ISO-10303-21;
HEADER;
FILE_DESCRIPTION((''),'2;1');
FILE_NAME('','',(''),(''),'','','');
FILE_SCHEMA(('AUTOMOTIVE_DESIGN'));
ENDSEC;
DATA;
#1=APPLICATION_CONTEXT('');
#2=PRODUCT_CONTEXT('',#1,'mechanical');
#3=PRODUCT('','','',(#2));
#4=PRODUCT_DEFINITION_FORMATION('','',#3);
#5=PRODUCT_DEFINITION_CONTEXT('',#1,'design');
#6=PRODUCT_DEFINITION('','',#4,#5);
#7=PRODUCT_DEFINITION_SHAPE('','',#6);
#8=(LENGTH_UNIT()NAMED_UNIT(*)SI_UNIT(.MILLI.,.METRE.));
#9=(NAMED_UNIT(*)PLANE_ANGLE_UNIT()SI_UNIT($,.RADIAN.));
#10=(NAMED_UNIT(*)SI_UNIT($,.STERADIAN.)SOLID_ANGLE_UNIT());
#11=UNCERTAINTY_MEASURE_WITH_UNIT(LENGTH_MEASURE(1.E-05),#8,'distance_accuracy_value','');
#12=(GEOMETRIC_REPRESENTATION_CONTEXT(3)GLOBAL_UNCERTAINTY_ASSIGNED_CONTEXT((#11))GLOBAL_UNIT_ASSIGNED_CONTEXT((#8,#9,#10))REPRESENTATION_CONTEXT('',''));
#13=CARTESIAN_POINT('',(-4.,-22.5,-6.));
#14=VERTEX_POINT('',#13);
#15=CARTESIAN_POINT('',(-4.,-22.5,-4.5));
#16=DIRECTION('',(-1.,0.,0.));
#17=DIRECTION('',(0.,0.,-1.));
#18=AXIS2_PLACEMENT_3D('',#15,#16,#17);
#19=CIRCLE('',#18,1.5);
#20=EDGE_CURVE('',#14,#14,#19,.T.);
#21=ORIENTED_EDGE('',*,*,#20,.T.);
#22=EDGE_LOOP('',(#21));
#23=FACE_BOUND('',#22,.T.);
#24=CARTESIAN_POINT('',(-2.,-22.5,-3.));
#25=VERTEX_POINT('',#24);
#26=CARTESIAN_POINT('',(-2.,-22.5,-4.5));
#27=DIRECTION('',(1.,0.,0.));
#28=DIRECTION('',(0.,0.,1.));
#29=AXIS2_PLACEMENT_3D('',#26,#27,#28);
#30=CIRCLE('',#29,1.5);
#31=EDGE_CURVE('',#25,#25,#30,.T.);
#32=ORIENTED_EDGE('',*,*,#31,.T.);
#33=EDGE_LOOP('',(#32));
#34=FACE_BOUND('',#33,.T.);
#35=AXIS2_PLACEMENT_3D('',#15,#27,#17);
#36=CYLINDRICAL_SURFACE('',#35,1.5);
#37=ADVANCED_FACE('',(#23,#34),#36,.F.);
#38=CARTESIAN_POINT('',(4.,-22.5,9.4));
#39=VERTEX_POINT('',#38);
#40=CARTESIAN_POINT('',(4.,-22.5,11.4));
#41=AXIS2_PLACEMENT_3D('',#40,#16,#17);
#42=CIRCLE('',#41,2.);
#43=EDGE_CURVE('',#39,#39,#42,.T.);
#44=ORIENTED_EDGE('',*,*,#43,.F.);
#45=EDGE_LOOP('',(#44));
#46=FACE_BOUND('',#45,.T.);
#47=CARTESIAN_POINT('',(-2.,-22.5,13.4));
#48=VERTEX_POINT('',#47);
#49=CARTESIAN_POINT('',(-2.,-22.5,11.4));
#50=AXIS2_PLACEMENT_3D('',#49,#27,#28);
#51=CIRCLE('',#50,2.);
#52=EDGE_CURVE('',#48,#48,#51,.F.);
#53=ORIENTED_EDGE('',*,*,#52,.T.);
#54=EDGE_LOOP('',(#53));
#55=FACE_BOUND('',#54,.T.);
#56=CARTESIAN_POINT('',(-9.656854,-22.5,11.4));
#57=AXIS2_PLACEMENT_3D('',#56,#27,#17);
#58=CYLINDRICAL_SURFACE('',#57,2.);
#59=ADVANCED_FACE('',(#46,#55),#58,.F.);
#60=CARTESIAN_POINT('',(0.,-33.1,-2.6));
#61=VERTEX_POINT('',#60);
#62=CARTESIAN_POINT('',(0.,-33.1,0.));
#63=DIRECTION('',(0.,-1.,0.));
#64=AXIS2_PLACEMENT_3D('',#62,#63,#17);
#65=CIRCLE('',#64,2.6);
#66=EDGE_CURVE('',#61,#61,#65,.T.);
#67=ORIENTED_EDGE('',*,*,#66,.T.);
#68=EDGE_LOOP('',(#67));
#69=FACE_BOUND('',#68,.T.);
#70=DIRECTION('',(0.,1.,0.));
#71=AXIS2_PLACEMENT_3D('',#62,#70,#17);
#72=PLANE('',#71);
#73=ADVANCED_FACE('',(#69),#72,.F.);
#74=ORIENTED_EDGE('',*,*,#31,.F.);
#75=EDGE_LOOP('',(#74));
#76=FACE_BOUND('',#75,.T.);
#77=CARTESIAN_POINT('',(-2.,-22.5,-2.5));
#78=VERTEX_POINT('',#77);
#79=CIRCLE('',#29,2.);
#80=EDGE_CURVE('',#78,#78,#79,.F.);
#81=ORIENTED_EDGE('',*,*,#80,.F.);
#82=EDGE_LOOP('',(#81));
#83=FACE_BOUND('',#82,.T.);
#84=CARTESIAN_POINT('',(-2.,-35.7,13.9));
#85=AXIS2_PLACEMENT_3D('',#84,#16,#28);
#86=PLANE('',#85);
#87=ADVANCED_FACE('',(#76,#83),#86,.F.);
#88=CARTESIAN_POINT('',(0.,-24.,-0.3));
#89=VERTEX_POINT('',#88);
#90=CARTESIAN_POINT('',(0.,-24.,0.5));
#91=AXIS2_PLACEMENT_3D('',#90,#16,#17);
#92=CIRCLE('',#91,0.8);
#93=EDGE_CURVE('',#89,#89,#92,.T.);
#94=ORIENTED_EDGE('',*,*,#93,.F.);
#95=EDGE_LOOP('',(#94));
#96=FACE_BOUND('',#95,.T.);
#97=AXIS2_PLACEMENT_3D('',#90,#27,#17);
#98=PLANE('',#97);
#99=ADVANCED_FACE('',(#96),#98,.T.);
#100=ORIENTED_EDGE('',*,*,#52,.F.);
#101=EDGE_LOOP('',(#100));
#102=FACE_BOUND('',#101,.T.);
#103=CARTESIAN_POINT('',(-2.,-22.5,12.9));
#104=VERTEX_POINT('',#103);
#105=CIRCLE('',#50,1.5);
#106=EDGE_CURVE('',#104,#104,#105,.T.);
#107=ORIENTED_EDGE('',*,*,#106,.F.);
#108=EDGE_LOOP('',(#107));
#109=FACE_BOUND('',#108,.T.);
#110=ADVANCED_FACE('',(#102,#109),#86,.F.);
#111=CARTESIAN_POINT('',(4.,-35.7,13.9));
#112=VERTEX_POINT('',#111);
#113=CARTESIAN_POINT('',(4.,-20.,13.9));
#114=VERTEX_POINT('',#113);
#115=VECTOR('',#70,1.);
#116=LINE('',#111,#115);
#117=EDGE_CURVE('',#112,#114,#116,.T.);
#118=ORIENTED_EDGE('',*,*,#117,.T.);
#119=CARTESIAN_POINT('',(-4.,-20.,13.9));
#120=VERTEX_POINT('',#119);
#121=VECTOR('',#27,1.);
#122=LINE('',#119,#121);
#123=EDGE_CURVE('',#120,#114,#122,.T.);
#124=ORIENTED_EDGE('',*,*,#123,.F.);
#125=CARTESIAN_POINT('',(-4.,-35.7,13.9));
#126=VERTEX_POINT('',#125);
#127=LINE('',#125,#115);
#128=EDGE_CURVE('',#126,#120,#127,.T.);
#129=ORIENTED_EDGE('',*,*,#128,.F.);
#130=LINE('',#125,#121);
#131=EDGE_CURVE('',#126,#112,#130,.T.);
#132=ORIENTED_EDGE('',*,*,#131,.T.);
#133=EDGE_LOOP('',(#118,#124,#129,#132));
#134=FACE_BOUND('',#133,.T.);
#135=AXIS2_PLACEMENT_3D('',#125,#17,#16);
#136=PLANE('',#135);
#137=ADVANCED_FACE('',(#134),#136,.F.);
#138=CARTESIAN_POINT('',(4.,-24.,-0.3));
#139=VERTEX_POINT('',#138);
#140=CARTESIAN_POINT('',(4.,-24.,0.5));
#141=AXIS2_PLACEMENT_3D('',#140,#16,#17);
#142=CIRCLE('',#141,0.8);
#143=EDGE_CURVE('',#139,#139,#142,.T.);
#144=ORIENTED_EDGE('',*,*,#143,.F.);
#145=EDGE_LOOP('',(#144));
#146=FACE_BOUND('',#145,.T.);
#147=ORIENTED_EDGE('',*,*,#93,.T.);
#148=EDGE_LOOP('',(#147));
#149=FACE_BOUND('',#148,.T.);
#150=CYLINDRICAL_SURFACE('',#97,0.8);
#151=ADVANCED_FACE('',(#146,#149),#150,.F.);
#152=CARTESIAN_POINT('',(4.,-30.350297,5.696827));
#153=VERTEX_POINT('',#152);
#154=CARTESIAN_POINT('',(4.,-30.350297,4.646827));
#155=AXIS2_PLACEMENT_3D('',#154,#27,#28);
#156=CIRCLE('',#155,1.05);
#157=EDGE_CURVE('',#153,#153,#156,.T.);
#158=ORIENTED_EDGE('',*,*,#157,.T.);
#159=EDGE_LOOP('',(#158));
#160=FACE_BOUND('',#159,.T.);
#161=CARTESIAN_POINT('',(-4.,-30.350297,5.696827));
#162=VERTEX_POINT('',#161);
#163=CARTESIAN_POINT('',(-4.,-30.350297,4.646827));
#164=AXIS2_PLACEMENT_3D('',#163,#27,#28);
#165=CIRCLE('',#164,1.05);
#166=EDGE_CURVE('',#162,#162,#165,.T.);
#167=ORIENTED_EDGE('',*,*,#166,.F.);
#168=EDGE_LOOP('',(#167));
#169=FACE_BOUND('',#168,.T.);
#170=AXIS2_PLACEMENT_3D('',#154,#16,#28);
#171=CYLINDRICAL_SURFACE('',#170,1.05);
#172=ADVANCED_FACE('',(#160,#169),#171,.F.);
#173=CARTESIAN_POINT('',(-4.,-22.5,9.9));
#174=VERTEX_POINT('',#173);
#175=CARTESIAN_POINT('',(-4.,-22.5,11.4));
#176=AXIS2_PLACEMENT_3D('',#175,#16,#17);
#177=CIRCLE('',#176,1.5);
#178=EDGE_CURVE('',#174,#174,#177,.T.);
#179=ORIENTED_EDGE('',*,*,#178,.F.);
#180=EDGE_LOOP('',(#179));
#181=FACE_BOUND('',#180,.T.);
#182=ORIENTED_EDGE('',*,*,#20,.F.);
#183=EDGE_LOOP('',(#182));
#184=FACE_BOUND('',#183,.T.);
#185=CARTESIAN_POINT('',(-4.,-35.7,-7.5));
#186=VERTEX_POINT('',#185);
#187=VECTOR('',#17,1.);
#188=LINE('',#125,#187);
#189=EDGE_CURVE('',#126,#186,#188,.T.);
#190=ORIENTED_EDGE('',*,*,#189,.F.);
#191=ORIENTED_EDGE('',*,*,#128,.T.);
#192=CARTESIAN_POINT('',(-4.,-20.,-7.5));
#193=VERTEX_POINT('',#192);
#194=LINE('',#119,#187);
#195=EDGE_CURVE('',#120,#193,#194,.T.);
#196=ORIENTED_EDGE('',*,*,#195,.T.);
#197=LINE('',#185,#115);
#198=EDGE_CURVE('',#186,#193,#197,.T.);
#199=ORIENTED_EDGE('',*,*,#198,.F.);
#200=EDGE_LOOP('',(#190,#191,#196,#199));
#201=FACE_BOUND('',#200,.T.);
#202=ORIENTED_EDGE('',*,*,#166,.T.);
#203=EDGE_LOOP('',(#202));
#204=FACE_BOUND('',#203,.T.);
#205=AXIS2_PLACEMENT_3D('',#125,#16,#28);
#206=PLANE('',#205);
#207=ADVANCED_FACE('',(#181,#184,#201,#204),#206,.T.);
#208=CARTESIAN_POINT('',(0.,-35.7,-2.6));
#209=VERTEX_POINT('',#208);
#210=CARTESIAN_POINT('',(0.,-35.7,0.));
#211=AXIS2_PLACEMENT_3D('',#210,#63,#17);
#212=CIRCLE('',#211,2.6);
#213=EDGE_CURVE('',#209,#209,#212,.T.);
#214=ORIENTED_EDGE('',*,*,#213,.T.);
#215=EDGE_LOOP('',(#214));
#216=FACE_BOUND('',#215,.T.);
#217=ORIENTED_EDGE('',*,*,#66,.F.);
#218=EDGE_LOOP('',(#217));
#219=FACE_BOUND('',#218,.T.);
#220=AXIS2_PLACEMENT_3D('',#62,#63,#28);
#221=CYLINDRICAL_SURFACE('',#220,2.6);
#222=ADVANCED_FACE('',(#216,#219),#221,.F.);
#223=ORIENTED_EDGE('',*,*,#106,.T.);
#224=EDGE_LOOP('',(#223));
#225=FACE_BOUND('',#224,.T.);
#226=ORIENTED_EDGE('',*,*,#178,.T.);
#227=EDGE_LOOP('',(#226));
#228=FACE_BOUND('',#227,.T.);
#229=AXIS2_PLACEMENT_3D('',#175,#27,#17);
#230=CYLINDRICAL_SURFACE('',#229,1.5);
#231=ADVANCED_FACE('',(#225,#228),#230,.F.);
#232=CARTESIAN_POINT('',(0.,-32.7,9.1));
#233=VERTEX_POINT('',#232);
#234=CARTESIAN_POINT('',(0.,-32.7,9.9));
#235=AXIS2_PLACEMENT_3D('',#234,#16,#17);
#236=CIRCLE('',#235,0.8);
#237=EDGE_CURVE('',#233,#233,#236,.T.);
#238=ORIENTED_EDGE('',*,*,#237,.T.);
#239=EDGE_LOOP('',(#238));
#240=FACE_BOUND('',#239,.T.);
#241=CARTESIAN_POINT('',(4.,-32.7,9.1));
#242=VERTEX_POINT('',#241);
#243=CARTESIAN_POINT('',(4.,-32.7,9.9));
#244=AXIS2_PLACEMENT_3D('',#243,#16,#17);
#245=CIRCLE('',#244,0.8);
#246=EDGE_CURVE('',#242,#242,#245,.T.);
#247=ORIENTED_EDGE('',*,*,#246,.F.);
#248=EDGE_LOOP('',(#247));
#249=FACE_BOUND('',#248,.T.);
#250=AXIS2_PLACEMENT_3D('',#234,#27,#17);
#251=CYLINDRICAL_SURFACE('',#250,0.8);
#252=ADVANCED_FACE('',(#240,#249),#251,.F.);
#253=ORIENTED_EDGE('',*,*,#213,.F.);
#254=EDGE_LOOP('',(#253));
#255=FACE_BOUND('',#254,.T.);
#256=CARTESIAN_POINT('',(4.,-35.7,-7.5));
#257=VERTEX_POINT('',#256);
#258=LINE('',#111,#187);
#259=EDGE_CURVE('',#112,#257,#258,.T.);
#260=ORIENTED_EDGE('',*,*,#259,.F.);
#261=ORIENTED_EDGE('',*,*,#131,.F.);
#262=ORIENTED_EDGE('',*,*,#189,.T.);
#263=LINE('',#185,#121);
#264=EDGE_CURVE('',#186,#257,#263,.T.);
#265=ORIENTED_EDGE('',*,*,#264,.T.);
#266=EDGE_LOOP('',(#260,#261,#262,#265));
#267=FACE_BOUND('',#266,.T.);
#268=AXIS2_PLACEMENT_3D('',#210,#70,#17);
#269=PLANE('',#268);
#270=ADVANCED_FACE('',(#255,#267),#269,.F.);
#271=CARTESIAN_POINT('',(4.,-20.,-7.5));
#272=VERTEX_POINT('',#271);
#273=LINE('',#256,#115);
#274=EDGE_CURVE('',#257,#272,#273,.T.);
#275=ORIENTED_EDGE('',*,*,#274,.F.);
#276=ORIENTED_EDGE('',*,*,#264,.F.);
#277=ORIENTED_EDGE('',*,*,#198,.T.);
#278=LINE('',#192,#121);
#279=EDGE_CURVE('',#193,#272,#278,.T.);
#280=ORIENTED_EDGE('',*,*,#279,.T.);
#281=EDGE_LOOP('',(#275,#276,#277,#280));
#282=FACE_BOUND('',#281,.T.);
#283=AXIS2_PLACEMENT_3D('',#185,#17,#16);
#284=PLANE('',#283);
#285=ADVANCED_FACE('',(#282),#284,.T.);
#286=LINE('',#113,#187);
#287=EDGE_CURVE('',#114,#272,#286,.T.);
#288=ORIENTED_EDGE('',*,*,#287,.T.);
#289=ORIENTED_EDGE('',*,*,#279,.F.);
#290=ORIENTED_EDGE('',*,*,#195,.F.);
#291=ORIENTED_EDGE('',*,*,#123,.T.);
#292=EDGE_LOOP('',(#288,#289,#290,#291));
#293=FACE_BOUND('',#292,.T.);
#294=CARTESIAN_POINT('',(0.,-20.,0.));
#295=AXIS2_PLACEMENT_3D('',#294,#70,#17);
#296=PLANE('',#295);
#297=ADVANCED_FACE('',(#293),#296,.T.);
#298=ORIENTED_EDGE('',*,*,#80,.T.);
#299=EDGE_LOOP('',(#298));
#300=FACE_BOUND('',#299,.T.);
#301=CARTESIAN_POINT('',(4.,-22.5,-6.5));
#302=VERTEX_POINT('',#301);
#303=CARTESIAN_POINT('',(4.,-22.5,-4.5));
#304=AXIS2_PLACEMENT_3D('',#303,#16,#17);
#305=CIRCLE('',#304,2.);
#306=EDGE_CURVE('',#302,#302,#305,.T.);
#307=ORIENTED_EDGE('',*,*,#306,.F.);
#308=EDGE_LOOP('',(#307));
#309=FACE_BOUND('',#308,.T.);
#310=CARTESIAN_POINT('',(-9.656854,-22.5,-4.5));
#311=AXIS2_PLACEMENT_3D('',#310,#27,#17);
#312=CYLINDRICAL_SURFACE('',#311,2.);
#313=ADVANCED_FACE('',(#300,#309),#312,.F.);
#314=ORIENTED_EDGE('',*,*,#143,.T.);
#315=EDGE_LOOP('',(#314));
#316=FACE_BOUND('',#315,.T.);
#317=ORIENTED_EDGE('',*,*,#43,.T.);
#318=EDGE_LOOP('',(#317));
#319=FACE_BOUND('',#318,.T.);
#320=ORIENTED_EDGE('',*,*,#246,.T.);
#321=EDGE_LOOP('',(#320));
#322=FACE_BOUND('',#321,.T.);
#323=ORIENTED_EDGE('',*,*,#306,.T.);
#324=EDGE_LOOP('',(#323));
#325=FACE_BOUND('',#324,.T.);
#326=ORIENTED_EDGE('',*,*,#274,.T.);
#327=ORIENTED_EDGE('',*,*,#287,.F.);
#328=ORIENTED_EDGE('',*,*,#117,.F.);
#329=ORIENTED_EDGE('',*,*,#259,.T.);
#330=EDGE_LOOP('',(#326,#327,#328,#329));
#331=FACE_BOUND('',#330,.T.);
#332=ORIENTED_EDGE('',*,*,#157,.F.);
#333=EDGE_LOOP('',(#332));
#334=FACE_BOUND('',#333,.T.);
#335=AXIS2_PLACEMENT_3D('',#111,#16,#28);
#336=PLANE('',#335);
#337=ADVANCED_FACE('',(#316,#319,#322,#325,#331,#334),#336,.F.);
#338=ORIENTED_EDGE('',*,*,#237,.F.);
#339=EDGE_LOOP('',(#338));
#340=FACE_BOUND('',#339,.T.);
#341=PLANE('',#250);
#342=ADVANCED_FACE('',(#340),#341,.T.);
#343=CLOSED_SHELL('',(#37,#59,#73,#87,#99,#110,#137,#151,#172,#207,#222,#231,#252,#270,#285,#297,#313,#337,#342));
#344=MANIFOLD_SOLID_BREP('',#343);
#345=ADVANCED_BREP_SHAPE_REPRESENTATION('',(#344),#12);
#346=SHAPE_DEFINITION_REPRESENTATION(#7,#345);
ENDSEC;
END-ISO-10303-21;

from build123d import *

# Parameters (mm, degrees)
SKETCH_1_W          = 8
SKETCH_1_H          = 21.4
EXTRUDE_1_DEPTH     = 15.7
CUT_EXTRUDE_START   = 15.7
SKETCH_1_18_R       = 2.6
CUT_EXTRUDE_1_DEPTH = 2.6
SKETCH_2_R          = 1.05
CUT_EXTRUDE_2_DEPTH = 23.443261795
SKETCH_3_R          = 2
CUT_EXTRUDE_4_DEPTH = 6
SKETCH_3_4_R        = 1.5
CUT_EXTRUDE_5_DEPTH = 23.443261795
SKETCH_4_R          = 0.8
CUT_EXTRUDE_6_DEPTH = 4
SKETCH_5_W          = 20.288493166
SKETCH_5_H          = 31.298439213
CUT_EXTRUDE_7_DEPTH = 30.490676493


with BuildPart() as part:
    # 草图1 → 凸台-拉伸1 (new body)
    with BuildSketch(Plane(origin=(0, 0, 0), x_dir=(1, 0, 0), z_dir=(0, 1, 0))):
        with Locations((0, -3.2)):
            Rectangle(SKETCH_1_W, SKETCH_1_H)
    extrude(amount=EXTRUDE_1_DEPTH)

    # 草图1<18> → 切除-拉伸1 (cut)
    with BuildSketch(Plane(origin=(0, 0, 0), x_dir=(1, 0, 0), z_dir=(0, 1, 0)).offset(CUT_EXTRUDE_START)):
        with Locations(Location((0, 0, 0), (0, 0, 90))):
            Circle(SKETCH_1_18_R)
    extrude(amount=-CUT_EXTRUDE_1_DEPTH, mode=Mode.SUBTRACT)

    # 草图2 → 切除-拉伸2 (cut, through all)
    with BuildSketch(Plane.ZY.offset(4)):
        with Locations((4.646826988, 10.35029737)):
            Circle(SKETCH_2_R)
    extrude(amount=-CUT_EXTRUDE_2_DEPTH, mode=Mode.SUBTRACT)

    # 草图3 → 切除-拉伸4 (cut)
    with BuildSketch(Plane(origin=(4, 0, 0), x_dir=(0, 0, -1), z_dir=(1, 0, 0))):
        with Locations((4.5, 2.5)):
            Circle(SKETCH_3_R)
        with Locations((-11.4, 2.5)):
            Circle(SKETCH_3_R)
    extrude(amount=-CUT_EXTRUDE_4_DEPTH, mode=Mode.SUBTRACT)

    # 草图3<4> → 切除-拉伸5 (cut, through all)
    with BuildSketch(Plane(origin=(4, 0, 0), x_dir=(0, 0, -1), z_dir=(1, 0, 0))):
        with Locations((4.5, 2.5)):
            Circle(SKETCH_3_4_R)
        with Locations((-11.4, 2.5)):
            Circle(SKETCH_3_4_R)
    extrude(amount=-CUT_EXTRUDE_5_DEPTH, mode=Mode.SUBTRACT)

    # 草图4 → 切除-拉伸6 (cut)
    with BuildSketch(Plane(origin=(4, 0, 0), x_dir=(0, 0, -1), z_dir=(1, 0, 0))):
        with Locations((-0.5, 4)):
            Circle(SKETCH_4_R)
        with Locations((-9.9, 12.7)):
            Circle(SKETCH_4_R)
    extrude(amount=-CUT_EXTRUDE_6_DEPTH, mode=Mode.SUBTRACT)


with BuildPart() as body_2:
    # 镜向1: mirrored copy
    add(part.part.mirror(Plane.ZX.offset(-10)))


with BuildPart() as part_1:
    add(part.part)

    # 草图5 → 切除-拉伸7 (cut, through all)
    with BuildSketch(Plane(origin=(0, -10, 0), x_dir=(1, 0, 0), z_dir=(0, 1, 0))):
        with Locations((1.793447893, -5.785280747)):
            Rectangle(SKETCH_5_W, SKETCH_5_H)
    extrude(amount=CUT_EXTRUDE_7_DEPTH, mode=Mode.SUBTRACT)


solid = body_2.part
